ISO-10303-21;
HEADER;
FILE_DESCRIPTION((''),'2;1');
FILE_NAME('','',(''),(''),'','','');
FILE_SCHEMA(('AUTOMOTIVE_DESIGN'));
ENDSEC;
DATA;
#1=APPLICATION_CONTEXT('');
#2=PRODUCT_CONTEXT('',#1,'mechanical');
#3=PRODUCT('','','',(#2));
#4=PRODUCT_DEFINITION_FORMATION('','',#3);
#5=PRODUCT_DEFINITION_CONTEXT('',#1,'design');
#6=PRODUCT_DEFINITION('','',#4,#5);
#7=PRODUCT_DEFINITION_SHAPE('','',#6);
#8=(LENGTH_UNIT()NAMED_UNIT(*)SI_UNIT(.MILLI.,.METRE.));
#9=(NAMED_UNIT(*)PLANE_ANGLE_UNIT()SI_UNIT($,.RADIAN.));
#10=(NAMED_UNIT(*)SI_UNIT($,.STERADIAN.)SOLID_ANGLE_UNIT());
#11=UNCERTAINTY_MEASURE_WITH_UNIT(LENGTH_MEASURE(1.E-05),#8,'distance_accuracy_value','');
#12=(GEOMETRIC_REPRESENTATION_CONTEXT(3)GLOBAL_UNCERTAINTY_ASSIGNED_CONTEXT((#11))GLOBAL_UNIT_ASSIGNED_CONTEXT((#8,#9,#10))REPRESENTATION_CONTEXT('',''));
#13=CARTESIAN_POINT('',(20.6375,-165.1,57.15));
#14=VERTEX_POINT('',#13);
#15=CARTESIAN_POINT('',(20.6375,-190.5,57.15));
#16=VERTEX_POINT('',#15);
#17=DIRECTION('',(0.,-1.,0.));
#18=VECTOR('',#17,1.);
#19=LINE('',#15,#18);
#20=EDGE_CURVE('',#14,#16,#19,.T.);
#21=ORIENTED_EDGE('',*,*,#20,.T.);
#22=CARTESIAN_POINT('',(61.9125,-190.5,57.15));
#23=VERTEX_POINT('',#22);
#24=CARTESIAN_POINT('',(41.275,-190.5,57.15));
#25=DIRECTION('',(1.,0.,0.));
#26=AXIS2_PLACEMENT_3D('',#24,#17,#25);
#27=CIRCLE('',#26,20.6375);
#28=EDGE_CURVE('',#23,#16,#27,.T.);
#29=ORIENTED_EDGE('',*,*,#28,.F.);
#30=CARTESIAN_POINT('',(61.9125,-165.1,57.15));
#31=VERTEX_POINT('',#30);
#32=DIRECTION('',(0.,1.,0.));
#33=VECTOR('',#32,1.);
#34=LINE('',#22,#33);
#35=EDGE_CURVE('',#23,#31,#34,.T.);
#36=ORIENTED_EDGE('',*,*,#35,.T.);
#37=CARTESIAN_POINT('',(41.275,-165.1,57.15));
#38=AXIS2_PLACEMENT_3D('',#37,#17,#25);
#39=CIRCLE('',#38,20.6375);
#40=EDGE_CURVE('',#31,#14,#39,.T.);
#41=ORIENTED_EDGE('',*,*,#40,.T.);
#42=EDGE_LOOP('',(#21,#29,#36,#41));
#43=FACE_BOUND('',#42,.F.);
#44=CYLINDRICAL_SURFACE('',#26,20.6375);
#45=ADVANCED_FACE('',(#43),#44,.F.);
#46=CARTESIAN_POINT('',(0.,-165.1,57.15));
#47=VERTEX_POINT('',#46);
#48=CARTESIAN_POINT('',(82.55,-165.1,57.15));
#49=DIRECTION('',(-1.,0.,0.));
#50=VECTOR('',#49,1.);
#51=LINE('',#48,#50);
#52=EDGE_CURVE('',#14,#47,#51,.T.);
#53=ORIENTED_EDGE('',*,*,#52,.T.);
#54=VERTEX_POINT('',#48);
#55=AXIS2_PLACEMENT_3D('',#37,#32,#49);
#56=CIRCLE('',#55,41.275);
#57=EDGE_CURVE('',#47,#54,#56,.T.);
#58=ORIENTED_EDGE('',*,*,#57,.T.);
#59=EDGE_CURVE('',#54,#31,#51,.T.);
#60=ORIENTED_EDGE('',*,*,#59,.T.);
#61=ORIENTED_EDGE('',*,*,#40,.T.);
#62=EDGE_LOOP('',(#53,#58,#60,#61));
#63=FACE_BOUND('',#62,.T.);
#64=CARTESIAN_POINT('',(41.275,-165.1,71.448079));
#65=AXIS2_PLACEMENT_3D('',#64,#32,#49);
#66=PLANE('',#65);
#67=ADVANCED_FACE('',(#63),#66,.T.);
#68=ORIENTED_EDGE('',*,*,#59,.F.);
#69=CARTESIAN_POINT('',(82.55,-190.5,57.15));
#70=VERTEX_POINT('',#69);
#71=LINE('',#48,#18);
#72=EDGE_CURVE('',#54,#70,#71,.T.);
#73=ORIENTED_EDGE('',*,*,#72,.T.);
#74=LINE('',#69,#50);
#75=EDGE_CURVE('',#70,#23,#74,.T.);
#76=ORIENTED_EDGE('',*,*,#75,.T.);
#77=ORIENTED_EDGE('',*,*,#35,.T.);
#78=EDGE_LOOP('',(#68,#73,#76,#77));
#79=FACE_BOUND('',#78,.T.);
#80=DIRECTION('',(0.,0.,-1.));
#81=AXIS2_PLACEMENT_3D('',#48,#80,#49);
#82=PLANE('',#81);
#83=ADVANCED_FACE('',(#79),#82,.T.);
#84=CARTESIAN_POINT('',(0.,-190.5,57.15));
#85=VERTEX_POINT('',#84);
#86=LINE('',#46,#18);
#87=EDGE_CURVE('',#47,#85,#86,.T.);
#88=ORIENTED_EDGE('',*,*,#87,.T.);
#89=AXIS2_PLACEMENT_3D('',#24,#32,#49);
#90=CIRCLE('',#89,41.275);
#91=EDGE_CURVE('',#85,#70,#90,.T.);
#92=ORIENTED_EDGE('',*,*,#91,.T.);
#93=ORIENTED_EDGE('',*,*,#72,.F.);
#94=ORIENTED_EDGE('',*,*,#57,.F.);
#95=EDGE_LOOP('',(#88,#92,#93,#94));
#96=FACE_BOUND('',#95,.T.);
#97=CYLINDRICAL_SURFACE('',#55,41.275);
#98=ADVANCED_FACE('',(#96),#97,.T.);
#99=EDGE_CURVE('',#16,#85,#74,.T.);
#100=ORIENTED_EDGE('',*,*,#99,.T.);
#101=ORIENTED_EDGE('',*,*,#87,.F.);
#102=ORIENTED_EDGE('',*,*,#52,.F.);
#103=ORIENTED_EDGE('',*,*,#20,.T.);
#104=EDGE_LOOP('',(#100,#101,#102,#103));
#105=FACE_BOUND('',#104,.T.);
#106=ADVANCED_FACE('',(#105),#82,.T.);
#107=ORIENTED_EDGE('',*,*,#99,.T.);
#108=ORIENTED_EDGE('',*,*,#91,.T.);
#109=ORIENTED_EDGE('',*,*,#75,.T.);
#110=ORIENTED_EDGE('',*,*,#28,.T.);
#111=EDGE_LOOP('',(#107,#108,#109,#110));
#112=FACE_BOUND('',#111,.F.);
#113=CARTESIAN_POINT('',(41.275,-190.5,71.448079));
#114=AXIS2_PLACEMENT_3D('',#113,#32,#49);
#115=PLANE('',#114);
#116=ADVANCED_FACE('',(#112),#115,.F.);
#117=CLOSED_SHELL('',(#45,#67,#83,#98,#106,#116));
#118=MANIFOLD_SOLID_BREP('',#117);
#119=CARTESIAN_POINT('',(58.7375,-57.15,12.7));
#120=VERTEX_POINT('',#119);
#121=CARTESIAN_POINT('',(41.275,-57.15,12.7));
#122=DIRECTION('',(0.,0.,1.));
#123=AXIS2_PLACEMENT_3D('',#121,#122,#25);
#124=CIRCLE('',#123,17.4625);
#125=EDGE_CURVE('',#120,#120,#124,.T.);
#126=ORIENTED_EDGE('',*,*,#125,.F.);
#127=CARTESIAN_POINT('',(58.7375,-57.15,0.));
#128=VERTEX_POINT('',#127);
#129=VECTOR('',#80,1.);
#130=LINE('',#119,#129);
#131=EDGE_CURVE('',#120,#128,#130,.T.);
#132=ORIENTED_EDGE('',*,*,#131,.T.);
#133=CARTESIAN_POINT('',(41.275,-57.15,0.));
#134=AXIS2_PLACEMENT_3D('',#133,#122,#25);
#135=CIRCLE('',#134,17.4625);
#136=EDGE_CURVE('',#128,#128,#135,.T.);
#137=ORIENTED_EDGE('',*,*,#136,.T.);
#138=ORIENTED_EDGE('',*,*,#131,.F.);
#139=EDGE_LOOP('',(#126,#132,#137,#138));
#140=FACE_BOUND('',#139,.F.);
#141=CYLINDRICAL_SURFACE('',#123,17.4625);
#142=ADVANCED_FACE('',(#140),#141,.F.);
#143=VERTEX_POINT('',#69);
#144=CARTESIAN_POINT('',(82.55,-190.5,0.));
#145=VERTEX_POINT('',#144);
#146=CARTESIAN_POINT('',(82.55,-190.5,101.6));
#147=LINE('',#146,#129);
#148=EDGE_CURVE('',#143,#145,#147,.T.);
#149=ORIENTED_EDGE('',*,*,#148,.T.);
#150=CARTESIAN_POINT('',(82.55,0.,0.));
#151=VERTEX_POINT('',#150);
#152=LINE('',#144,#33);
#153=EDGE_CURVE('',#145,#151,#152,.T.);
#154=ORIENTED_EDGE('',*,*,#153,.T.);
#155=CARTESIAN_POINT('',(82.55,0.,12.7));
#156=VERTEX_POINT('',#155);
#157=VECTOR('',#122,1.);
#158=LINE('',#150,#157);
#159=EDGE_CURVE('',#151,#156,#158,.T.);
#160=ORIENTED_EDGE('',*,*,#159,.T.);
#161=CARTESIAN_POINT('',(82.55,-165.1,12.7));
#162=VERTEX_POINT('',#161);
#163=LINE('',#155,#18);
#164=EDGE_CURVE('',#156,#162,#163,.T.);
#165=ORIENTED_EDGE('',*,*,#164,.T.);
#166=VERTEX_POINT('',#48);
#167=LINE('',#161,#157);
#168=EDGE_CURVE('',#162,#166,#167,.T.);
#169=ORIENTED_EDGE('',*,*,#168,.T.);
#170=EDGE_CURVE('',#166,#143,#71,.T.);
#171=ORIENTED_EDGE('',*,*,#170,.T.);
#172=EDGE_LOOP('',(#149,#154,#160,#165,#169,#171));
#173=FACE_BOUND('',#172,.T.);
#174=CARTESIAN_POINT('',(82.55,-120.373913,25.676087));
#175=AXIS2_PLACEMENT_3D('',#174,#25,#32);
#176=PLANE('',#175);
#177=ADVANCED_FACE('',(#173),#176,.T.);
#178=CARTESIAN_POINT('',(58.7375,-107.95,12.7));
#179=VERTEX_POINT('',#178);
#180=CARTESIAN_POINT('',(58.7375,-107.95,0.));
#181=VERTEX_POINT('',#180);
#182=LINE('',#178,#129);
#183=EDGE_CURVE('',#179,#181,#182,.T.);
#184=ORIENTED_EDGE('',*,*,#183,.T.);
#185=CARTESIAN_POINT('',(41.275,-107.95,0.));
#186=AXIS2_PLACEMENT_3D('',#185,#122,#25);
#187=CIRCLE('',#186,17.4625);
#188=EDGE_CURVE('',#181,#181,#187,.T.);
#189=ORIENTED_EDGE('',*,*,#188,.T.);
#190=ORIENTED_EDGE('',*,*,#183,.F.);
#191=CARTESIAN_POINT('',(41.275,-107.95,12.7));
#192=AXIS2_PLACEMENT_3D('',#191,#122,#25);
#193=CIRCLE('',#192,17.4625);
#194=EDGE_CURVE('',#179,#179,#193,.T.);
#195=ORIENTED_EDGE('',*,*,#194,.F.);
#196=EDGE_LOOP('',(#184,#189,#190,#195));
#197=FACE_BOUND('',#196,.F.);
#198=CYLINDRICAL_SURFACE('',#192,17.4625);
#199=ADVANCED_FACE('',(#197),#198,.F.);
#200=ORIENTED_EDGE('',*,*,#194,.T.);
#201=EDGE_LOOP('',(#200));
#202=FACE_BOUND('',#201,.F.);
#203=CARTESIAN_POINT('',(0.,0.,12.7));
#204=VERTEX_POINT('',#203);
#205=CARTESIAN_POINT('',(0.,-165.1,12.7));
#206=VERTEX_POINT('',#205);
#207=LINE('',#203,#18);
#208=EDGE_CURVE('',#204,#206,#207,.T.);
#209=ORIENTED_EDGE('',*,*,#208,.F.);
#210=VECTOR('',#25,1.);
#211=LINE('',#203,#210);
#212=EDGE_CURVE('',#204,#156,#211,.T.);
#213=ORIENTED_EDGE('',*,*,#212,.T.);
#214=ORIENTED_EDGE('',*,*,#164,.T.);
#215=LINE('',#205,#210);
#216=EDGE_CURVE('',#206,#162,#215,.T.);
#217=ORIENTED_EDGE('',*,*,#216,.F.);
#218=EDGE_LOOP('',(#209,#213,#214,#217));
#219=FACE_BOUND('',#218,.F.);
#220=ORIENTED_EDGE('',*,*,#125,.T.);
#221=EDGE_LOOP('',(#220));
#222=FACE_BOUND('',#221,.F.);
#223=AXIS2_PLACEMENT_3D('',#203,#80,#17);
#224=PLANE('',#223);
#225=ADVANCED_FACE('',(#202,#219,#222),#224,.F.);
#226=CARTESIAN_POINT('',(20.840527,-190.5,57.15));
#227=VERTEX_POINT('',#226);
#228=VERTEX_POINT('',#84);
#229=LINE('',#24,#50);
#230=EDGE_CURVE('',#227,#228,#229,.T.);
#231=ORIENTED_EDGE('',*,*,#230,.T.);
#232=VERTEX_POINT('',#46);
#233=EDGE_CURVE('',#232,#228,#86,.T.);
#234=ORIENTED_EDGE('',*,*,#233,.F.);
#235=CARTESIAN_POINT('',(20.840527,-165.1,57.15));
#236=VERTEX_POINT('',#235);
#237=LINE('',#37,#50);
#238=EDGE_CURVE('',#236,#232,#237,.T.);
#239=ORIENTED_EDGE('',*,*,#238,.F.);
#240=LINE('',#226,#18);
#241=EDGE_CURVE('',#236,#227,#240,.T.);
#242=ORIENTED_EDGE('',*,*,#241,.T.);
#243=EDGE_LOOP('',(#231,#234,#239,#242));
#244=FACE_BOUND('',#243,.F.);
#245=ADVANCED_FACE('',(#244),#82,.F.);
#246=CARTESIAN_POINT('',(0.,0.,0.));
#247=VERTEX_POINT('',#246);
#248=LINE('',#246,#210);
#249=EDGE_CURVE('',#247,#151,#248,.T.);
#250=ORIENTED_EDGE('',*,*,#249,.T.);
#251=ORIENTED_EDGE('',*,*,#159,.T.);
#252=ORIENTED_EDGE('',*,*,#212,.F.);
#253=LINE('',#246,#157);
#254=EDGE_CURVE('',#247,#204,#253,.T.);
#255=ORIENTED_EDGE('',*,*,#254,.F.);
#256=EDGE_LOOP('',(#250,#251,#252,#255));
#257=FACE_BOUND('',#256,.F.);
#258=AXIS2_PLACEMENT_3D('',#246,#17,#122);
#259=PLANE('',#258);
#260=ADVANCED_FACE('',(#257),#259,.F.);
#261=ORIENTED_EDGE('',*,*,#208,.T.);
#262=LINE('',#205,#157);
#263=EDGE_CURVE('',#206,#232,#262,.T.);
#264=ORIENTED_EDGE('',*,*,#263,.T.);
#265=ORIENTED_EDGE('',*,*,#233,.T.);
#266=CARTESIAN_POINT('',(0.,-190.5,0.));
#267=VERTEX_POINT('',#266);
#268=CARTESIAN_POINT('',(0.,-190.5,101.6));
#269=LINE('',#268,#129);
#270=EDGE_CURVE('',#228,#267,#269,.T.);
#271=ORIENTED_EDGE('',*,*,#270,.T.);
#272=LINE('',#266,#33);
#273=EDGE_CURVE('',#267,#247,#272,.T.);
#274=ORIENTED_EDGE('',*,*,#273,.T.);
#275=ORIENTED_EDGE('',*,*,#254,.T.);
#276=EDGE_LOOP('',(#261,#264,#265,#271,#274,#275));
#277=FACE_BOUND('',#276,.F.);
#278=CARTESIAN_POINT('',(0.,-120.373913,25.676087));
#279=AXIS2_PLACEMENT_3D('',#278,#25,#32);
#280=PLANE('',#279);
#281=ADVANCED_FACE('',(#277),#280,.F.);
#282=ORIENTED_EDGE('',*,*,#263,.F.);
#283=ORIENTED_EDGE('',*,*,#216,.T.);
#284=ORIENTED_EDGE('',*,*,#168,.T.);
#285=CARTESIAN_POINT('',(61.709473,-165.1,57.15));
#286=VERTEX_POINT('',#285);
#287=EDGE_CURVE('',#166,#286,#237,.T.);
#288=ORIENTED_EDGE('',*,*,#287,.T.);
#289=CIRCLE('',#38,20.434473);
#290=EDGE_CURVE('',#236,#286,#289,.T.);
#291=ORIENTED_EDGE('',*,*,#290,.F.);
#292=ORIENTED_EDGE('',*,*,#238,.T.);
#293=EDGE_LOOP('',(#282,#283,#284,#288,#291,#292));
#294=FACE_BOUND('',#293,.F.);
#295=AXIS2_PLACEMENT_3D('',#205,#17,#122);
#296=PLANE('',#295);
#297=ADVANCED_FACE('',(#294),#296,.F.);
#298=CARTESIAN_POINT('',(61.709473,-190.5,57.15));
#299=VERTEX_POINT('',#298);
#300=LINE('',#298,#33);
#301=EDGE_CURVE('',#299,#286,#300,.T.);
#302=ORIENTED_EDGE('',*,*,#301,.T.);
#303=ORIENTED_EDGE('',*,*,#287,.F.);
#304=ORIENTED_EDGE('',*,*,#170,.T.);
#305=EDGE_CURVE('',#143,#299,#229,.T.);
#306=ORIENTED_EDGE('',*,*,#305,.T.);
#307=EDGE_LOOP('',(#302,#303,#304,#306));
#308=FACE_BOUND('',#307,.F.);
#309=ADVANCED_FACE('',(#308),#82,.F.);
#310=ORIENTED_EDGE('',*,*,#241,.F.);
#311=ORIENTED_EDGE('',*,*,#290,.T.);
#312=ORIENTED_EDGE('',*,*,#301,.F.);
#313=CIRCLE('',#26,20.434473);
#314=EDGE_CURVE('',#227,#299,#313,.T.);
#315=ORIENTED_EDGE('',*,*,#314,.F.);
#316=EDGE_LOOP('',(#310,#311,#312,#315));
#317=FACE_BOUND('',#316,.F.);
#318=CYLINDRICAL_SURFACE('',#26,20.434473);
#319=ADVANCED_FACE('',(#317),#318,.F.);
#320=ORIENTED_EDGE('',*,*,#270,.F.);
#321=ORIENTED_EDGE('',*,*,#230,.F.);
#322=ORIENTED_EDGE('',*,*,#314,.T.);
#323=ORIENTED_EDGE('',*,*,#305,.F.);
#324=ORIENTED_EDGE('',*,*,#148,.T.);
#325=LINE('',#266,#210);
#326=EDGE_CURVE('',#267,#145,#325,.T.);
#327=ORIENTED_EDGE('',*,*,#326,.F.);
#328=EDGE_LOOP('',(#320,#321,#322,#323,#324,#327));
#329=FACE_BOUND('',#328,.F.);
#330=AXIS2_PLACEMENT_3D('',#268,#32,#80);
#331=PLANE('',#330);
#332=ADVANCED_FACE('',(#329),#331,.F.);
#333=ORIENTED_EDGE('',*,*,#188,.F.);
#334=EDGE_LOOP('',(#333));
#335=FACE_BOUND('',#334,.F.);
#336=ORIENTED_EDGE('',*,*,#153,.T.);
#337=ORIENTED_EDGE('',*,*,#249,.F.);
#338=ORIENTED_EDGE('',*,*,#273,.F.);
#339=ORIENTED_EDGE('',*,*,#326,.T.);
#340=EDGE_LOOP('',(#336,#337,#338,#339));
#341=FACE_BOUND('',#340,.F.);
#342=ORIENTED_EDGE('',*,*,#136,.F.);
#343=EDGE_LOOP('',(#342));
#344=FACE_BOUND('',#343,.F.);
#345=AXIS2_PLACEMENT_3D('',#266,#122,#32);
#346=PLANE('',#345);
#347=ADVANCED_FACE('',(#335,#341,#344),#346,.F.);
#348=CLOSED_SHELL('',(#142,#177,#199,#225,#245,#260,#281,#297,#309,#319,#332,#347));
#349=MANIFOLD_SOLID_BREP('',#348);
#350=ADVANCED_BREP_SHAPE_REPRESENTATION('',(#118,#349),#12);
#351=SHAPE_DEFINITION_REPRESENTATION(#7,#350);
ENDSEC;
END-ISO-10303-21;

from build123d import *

# Parameters (mm, degrees)
F1_DEPTH  = 82.55
F2_R      = 17.4625
F3_DEPTH  = 12.701
F4_W      = 82.55
F4_H      = 44.45
F5_DEPTH  = 25.401
F7_DEPTH  = 25.4
F8_R      = 20.6375
F9_DEPTH  = 190.501
F10_R     = 20.4344731727
F11_DEPTH = 25.4


with BuildPart() as f1:
    # F0 (on Right) → F1 (new body)
    with BuildSketch(Plane.YZ):
        Polygon((-190.5, 0), (0, 0), (0, 12.7), (-165.1, 12.7), (-165.1, 101.6), (-190.5, 101.6), align=None)
    extrude(amount=F1_DEPTH)

    # F2 (on face) → F3 (cut, through all)
    with BuildSketch(Plane.XY.offset(12.7)):
        with Locations((41.275, -57.15)):
            Circle(F2_R)
        with Locations((41.275, -107.95)):
            Circle(F2_R)
    extrude(amount=-F3_DEPTH, mode=Mode.SUBTRACT)

    # F4 (on face) → F5 (cut, through all)
    with BuildSketch(Plane(origin=(0, -165.1, 0), x_dir=(-1, 0, 0), z_dir=(0, 1, 0))):
        with Locations((-41.275, 79.375)):
            Rectangle(F4_W, F4_H)
    extrude(amount=-F5_DEPTH, mode=Mode.SUBTRACT)

    # F10 (on face) → F11 (cut)
    with BuildSketch(Plane.XZ.offset(190.5)):
        with Locations((41.275, 57.15)):
            Circle(F10_R)
    extrude(amount=-F11_DEPTH, mode=Mode.SUBTRACT)


with BuildPart() as f7:
    # F6 (on face) → F7 (new body)
    with BuildSketch(Plane(origin=(0, -165.1, 0), x_dir=(-1, 0, 0), z_dir=(0, 1, 0))):
        with BuildLine():
            Line((-82.55, 57.15), (0, 57.15))
            ThreePointArc((0, 57.15), (-41.275, 98.425), (-82.55, 57.15))
        make_face()
    extrude(amount=-F7_DEPTH)

    # F8 (on face) → F9 (cut, through all)
    with BuildSketch(Plane.XZ.offset(190.5)):
        with Locations((41.275, 57.15)):
            Circle(F8_R)
    extrude(amount=-F9_DEPTH, mode=Mode.SUBTRACT)


solid = Compound([f1.part, f7.part])
